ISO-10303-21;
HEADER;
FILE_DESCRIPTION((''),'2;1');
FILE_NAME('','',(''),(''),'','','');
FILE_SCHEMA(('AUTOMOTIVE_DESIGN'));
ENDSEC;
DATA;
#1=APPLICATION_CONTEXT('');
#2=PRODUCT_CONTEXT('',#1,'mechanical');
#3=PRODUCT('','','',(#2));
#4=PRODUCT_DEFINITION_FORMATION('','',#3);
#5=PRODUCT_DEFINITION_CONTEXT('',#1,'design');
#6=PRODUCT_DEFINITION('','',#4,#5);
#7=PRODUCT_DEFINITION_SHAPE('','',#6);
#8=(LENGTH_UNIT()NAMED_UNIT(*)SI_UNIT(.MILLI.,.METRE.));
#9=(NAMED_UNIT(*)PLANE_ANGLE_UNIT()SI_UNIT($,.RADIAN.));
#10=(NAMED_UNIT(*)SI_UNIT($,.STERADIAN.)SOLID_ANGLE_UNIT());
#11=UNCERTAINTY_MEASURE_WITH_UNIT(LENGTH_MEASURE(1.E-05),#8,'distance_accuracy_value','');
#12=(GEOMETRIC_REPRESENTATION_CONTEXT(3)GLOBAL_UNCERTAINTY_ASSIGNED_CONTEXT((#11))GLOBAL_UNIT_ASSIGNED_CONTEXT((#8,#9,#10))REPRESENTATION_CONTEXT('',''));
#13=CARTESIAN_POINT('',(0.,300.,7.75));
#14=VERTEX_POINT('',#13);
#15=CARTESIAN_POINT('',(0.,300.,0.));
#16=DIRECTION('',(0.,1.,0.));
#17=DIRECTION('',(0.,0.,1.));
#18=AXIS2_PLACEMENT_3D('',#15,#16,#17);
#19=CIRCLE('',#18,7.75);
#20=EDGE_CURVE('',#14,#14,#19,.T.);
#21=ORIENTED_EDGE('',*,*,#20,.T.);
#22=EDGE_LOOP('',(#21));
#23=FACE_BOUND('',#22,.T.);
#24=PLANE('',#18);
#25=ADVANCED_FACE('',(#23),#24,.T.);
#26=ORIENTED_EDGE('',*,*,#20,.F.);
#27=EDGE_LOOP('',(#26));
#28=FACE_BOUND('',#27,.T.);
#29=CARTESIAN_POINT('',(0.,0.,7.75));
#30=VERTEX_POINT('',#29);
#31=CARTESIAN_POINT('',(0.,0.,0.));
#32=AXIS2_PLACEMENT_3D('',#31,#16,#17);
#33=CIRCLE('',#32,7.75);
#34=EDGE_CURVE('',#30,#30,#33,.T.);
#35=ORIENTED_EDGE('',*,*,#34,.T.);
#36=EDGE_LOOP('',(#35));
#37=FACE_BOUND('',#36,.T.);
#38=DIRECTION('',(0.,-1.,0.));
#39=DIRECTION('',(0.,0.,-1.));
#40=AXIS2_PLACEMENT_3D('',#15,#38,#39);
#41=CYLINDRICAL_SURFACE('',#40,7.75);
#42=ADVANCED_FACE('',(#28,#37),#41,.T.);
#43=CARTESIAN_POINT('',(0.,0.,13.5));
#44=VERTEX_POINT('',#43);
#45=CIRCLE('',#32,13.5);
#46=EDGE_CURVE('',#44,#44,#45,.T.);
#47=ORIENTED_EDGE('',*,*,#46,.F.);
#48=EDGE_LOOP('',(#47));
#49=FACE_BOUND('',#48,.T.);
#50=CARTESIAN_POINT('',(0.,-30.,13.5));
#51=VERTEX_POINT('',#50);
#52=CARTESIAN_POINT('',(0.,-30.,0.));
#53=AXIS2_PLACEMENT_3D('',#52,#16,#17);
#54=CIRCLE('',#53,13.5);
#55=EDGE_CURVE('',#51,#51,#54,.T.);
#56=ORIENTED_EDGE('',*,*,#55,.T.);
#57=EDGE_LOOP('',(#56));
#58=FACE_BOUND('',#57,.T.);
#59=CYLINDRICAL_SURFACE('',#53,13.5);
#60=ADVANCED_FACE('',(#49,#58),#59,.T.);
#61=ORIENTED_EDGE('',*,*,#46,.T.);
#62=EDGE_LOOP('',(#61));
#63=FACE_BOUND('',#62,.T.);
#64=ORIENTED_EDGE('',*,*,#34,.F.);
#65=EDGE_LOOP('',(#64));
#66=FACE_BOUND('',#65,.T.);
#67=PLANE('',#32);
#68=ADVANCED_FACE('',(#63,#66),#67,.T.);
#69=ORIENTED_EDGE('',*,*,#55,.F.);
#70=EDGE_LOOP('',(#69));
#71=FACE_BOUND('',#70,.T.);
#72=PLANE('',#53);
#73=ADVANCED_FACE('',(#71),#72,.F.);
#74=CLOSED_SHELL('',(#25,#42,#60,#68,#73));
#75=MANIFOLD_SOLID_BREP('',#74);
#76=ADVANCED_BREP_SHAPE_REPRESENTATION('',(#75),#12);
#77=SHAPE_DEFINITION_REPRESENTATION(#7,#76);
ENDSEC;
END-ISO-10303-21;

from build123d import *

# Parameters (mm, degrees)
SKETCH1_R           = 7.75
BOSS_EXTRUDE1_DEPTH = 300
SKETCH2_R           = 13.5
BOSS_EXTRUDE2_DEPTH = 30


with BuildPart() as part:
    # Sketch1 → Boss-Extrude1 (new body)
    with BuildSketch(Plane(origin=(0, 0, 0), x_dir=(1, 0, 0), z_dir=(0, 1, 0))):
        Circle(SKETCH1_R)
    extrude(amount=BOSS_EXTRUDE1_DEPTH)

    # Sketch2 → Boss-Extrude2 (add)
    with BuildSketch(Plane(origin=(0, 0, 0), x_dir=(1, 0, 0), z_dir=(0, 1, 0))):
        Circle(SKETCH2_R)
    extrude(amount=-BOSS_EXTRUDE2_DEPTH)


solid = part.part
